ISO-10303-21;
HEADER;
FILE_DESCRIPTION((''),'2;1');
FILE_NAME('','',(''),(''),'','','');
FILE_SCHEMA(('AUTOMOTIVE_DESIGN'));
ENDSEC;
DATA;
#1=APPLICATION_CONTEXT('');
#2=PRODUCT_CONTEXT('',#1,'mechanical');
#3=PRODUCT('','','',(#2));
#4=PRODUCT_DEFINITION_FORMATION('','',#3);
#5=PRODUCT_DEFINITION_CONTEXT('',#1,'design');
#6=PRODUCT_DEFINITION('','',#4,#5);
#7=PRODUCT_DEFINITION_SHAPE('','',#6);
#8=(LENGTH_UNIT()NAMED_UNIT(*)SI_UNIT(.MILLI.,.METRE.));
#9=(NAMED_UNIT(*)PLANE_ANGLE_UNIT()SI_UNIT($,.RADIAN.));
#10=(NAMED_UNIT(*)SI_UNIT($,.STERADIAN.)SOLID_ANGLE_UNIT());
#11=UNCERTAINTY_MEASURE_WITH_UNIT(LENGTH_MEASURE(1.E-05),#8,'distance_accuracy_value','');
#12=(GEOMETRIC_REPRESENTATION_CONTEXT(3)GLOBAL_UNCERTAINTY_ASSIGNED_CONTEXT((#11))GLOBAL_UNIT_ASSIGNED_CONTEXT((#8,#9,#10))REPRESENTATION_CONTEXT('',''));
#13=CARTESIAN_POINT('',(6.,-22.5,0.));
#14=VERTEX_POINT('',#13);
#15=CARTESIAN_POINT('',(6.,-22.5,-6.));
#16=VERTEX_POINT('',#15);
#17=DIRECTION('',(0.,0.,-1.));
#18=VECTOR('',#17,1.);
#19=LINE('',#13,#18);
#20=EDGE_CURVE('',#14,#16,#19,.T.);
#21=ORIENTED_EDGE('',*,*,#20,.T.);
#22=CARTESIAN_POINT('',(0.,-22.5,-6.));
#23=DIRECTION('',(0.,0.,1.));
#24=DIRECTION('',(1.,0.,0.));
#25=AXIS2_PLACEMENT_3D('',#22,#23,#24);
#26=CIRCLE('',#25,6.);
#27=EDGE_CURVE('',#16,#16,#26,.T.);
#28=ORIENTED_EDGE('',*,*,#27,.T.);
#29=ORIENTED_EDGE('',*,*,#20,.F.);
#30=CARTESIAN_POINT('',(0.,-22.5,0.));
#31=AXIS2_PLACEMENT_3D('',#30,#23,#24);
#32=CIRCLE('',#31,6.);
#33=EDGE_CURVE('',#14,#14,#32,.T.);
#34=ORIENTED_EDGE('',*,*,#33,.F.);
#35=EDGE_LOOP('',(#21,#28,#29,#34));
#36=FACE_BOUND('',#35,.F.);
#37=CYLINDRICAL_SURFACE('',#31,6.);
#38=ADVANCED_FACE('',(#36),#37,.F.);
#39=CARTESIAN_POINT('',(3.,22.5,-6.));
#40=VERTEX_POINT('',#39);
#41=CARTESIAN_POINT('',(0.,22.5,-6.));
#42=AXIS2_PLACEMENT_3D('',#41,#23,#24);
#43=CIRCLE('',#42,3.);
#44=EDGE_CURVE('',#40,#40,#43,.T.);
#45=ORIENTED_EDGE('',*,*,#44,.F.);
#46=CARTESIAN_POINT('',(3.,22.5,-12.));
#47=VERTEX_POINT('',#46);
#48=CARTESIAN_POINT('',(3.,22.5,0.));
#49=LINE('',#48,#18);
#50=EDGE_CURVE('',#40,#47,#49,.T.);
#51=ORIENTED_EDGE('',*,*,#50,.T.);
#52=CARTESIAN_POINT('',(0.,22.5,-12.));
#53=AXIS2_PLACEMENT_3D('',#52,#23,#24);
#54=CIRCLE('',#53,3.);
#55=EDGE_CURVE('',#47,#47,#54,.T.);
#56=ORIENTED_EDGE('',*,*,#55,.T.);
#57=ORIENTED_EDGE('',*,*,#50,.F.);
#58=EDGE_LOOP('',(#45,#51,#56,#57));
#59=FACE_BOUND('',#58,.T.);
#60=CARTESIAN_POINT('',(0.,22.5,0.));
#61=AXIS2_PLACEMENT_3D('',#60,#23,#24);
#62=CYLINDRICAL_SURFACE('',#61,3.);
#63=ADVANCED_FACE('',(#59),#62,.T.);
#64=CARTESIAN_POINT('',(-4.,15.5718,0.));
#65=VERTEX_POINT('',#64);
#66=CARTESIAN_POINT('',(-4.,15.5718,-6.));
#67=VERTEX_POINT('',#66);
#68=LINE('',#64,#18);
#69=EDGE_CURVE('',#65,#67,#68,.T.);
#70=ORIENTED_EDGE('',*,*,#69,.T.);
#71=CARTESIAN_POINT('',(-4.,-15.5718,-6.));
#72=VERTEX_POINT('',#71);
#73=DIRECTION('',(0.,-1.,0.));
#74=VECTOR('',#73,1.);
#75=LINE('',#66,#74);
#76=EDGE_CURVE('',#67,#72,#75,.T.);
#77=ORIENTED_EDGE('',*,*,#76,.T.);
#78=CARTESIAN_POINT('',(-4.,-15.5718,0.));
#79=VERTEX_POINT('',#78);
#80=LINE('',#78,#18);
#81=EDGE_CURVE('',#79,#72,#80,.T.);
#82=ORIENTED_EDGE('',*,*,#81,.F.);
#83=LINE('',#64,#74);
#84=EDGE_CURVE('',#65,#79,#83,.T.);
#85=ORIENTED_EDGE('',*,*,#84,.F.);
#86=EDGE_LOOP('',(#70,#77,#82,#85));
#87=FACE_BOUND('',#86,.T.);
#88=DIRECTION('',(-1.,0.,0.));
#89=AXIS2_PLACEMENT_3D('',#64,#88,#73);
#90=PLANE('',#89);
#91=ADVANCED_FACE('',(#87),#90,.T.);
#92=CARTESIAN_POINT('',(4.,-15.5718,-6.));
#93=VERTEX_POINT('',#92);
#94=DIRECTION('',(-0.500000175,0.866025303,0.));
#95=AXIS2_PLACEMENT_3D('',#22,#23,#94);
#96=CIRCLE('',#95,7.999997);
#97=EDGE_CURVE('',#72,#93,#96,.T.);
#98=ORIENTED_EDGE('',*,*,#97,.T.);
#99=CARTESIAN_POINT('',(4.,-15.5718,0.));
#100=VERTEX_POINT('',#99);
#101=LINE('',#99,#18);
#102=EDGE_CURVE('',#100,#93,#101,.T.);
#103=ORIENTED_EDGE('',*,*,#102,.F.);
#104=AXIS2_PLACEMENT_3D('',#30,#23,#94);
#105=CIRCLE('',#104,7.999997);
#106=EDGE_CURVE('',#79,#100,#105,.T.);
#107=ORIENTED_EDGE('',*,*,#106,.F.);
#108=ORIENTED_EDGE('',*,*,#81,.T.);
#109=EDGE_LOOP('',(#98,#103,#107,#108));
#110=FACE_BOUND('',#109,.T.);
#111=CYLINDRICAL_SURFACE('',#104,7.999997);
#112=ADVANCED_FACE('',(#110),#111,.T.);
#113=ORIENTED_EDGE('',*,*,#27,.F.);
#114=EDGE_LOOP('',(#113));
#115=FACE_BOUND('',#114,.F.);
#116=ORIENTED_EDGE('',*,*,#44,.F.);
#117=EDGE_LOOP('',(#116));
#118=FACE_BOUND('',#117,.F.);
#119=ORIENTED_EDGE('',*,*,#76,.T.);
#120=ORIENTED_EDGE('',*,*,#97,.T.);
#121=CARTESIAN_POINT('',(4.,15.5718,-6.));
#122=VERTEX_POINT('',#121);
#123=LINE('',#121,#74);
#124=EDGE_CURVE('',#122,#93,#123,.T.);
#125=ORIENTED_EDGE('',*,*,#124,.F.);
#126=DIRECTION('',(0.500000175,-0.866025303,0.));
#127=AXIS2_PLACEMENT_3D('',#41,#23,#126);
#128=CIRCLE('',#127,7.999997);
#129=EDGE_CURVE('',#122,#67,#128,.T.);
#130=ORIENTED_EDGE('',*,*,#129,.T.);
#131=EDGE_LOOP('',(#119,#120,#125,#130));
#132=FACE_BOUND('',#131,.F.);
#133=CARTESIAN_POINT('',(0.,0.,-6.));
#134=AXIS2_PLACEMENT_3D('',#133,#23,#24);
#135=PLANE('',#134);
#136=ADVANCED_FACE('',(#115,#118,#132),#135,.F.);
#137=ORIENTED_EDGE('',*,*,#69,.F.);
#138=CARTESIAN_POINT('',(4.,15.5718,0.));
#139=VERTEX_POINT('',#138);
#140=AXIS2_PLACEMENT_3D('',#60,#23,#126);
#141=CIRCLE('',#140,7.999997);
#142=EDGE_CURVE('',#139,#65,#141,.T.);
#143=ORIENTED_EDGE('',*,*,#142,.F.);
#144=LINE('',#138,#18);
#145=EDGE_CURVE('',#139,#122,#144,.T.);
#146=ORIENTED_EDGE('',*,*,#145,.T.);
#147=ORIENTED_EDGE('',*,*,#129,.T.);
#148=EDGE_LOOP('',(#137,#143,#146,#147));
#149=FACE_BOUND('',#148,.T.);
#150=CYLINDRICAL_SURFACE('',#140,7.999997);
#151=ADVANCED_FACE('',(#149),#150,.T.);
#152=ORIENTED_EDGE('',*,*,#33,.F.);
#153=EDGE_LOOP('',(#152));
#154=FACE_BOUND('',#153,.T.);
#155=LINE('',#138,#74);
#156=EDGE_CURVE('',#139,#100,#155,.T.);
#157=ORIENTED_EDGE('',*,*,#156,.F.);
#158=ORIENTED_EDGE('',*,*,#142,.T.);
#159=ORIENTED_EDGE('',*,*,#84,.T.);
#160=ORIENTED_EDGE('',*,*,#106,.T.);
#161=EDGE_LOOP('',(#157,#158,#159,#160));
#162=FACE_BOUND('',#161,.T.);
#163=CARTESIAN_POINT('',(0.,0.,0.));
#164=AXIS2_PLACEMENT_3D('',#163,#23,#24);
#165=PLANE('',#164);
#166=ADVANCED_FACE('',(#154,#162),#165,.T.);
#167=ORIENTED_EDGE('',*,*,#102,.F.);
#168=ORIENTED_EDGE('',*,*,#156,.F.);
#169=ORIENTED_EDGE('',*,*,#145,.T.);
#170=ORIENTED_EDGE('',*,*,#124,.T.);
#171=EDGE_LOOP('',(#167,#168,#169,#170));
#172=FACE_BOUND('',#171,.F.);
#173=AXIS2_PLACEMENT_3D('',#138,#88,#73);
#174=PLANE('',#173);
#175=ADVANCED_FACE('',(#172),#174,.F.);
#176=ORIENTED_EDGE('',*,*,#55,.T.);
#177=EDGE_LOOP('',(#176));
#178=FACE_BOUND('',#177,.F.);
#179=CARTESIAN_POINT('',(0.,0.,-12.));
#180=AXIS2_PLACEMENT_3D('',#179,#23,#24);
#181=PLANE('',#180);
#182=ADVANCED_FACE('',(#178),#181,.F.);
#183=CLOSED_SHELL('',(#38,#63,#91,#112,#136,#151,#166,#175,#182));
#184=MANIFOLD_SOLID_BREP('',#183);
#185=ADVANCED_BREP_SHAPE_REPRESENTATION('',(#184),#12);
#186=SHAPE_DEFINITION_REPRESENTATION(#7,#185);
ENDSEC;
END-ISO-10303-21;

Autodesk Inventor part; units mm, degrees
ref_plane "YZ Plane" through (0, 0, 0) normal (1, 0, 0) x (0, 1, 0)
ref_plane "XZ Plane" through (0, 0, 0) normal (0, 1, 0) x (-1, 0, 0)
ref_plane "XY Plane" through (0, 0, 0) normal (0, 0, 1) x (1, 0, 0)
sketch "Sketch1" plane through (0, 0, 0) normal (0, 0, 1) x (1, 0, 0)
  arc A0 (-4, -15.5718) -> (4, -15.5718) centre (0, -22.5) ccw
  arc A1 (4, 15.5718) -> (-4, 15.5718) centre (0, 22.5) ccw
  line L0 (-4, 15.5718) -> (-4, -15.5718)
  line L1 (4, 15.5718) -> (4, -15.5718)
  circle A2 centre (0, 22.5) radius 3
  circle A3 centre (0, -22.5) radius 6
  point P0 (0, 0)
  dimension "d0" = 45
  dimension "d1" = 22.5
  dimension "d2" = 8
  dimension "d3" = 4
  dimension "d6" = 8
  dimension "d7" = 8
  dimension "d8" = 12
  dimension "d9" = 6
extrude "Extrusion1" add sketch "Sketch1" against normal blind 6
extrude "Extrusion2" add sketch "Sketch1" against normal blind 12 contours A2
equation "\"d1\" = 0.5 * d0"
properties part number "204"
